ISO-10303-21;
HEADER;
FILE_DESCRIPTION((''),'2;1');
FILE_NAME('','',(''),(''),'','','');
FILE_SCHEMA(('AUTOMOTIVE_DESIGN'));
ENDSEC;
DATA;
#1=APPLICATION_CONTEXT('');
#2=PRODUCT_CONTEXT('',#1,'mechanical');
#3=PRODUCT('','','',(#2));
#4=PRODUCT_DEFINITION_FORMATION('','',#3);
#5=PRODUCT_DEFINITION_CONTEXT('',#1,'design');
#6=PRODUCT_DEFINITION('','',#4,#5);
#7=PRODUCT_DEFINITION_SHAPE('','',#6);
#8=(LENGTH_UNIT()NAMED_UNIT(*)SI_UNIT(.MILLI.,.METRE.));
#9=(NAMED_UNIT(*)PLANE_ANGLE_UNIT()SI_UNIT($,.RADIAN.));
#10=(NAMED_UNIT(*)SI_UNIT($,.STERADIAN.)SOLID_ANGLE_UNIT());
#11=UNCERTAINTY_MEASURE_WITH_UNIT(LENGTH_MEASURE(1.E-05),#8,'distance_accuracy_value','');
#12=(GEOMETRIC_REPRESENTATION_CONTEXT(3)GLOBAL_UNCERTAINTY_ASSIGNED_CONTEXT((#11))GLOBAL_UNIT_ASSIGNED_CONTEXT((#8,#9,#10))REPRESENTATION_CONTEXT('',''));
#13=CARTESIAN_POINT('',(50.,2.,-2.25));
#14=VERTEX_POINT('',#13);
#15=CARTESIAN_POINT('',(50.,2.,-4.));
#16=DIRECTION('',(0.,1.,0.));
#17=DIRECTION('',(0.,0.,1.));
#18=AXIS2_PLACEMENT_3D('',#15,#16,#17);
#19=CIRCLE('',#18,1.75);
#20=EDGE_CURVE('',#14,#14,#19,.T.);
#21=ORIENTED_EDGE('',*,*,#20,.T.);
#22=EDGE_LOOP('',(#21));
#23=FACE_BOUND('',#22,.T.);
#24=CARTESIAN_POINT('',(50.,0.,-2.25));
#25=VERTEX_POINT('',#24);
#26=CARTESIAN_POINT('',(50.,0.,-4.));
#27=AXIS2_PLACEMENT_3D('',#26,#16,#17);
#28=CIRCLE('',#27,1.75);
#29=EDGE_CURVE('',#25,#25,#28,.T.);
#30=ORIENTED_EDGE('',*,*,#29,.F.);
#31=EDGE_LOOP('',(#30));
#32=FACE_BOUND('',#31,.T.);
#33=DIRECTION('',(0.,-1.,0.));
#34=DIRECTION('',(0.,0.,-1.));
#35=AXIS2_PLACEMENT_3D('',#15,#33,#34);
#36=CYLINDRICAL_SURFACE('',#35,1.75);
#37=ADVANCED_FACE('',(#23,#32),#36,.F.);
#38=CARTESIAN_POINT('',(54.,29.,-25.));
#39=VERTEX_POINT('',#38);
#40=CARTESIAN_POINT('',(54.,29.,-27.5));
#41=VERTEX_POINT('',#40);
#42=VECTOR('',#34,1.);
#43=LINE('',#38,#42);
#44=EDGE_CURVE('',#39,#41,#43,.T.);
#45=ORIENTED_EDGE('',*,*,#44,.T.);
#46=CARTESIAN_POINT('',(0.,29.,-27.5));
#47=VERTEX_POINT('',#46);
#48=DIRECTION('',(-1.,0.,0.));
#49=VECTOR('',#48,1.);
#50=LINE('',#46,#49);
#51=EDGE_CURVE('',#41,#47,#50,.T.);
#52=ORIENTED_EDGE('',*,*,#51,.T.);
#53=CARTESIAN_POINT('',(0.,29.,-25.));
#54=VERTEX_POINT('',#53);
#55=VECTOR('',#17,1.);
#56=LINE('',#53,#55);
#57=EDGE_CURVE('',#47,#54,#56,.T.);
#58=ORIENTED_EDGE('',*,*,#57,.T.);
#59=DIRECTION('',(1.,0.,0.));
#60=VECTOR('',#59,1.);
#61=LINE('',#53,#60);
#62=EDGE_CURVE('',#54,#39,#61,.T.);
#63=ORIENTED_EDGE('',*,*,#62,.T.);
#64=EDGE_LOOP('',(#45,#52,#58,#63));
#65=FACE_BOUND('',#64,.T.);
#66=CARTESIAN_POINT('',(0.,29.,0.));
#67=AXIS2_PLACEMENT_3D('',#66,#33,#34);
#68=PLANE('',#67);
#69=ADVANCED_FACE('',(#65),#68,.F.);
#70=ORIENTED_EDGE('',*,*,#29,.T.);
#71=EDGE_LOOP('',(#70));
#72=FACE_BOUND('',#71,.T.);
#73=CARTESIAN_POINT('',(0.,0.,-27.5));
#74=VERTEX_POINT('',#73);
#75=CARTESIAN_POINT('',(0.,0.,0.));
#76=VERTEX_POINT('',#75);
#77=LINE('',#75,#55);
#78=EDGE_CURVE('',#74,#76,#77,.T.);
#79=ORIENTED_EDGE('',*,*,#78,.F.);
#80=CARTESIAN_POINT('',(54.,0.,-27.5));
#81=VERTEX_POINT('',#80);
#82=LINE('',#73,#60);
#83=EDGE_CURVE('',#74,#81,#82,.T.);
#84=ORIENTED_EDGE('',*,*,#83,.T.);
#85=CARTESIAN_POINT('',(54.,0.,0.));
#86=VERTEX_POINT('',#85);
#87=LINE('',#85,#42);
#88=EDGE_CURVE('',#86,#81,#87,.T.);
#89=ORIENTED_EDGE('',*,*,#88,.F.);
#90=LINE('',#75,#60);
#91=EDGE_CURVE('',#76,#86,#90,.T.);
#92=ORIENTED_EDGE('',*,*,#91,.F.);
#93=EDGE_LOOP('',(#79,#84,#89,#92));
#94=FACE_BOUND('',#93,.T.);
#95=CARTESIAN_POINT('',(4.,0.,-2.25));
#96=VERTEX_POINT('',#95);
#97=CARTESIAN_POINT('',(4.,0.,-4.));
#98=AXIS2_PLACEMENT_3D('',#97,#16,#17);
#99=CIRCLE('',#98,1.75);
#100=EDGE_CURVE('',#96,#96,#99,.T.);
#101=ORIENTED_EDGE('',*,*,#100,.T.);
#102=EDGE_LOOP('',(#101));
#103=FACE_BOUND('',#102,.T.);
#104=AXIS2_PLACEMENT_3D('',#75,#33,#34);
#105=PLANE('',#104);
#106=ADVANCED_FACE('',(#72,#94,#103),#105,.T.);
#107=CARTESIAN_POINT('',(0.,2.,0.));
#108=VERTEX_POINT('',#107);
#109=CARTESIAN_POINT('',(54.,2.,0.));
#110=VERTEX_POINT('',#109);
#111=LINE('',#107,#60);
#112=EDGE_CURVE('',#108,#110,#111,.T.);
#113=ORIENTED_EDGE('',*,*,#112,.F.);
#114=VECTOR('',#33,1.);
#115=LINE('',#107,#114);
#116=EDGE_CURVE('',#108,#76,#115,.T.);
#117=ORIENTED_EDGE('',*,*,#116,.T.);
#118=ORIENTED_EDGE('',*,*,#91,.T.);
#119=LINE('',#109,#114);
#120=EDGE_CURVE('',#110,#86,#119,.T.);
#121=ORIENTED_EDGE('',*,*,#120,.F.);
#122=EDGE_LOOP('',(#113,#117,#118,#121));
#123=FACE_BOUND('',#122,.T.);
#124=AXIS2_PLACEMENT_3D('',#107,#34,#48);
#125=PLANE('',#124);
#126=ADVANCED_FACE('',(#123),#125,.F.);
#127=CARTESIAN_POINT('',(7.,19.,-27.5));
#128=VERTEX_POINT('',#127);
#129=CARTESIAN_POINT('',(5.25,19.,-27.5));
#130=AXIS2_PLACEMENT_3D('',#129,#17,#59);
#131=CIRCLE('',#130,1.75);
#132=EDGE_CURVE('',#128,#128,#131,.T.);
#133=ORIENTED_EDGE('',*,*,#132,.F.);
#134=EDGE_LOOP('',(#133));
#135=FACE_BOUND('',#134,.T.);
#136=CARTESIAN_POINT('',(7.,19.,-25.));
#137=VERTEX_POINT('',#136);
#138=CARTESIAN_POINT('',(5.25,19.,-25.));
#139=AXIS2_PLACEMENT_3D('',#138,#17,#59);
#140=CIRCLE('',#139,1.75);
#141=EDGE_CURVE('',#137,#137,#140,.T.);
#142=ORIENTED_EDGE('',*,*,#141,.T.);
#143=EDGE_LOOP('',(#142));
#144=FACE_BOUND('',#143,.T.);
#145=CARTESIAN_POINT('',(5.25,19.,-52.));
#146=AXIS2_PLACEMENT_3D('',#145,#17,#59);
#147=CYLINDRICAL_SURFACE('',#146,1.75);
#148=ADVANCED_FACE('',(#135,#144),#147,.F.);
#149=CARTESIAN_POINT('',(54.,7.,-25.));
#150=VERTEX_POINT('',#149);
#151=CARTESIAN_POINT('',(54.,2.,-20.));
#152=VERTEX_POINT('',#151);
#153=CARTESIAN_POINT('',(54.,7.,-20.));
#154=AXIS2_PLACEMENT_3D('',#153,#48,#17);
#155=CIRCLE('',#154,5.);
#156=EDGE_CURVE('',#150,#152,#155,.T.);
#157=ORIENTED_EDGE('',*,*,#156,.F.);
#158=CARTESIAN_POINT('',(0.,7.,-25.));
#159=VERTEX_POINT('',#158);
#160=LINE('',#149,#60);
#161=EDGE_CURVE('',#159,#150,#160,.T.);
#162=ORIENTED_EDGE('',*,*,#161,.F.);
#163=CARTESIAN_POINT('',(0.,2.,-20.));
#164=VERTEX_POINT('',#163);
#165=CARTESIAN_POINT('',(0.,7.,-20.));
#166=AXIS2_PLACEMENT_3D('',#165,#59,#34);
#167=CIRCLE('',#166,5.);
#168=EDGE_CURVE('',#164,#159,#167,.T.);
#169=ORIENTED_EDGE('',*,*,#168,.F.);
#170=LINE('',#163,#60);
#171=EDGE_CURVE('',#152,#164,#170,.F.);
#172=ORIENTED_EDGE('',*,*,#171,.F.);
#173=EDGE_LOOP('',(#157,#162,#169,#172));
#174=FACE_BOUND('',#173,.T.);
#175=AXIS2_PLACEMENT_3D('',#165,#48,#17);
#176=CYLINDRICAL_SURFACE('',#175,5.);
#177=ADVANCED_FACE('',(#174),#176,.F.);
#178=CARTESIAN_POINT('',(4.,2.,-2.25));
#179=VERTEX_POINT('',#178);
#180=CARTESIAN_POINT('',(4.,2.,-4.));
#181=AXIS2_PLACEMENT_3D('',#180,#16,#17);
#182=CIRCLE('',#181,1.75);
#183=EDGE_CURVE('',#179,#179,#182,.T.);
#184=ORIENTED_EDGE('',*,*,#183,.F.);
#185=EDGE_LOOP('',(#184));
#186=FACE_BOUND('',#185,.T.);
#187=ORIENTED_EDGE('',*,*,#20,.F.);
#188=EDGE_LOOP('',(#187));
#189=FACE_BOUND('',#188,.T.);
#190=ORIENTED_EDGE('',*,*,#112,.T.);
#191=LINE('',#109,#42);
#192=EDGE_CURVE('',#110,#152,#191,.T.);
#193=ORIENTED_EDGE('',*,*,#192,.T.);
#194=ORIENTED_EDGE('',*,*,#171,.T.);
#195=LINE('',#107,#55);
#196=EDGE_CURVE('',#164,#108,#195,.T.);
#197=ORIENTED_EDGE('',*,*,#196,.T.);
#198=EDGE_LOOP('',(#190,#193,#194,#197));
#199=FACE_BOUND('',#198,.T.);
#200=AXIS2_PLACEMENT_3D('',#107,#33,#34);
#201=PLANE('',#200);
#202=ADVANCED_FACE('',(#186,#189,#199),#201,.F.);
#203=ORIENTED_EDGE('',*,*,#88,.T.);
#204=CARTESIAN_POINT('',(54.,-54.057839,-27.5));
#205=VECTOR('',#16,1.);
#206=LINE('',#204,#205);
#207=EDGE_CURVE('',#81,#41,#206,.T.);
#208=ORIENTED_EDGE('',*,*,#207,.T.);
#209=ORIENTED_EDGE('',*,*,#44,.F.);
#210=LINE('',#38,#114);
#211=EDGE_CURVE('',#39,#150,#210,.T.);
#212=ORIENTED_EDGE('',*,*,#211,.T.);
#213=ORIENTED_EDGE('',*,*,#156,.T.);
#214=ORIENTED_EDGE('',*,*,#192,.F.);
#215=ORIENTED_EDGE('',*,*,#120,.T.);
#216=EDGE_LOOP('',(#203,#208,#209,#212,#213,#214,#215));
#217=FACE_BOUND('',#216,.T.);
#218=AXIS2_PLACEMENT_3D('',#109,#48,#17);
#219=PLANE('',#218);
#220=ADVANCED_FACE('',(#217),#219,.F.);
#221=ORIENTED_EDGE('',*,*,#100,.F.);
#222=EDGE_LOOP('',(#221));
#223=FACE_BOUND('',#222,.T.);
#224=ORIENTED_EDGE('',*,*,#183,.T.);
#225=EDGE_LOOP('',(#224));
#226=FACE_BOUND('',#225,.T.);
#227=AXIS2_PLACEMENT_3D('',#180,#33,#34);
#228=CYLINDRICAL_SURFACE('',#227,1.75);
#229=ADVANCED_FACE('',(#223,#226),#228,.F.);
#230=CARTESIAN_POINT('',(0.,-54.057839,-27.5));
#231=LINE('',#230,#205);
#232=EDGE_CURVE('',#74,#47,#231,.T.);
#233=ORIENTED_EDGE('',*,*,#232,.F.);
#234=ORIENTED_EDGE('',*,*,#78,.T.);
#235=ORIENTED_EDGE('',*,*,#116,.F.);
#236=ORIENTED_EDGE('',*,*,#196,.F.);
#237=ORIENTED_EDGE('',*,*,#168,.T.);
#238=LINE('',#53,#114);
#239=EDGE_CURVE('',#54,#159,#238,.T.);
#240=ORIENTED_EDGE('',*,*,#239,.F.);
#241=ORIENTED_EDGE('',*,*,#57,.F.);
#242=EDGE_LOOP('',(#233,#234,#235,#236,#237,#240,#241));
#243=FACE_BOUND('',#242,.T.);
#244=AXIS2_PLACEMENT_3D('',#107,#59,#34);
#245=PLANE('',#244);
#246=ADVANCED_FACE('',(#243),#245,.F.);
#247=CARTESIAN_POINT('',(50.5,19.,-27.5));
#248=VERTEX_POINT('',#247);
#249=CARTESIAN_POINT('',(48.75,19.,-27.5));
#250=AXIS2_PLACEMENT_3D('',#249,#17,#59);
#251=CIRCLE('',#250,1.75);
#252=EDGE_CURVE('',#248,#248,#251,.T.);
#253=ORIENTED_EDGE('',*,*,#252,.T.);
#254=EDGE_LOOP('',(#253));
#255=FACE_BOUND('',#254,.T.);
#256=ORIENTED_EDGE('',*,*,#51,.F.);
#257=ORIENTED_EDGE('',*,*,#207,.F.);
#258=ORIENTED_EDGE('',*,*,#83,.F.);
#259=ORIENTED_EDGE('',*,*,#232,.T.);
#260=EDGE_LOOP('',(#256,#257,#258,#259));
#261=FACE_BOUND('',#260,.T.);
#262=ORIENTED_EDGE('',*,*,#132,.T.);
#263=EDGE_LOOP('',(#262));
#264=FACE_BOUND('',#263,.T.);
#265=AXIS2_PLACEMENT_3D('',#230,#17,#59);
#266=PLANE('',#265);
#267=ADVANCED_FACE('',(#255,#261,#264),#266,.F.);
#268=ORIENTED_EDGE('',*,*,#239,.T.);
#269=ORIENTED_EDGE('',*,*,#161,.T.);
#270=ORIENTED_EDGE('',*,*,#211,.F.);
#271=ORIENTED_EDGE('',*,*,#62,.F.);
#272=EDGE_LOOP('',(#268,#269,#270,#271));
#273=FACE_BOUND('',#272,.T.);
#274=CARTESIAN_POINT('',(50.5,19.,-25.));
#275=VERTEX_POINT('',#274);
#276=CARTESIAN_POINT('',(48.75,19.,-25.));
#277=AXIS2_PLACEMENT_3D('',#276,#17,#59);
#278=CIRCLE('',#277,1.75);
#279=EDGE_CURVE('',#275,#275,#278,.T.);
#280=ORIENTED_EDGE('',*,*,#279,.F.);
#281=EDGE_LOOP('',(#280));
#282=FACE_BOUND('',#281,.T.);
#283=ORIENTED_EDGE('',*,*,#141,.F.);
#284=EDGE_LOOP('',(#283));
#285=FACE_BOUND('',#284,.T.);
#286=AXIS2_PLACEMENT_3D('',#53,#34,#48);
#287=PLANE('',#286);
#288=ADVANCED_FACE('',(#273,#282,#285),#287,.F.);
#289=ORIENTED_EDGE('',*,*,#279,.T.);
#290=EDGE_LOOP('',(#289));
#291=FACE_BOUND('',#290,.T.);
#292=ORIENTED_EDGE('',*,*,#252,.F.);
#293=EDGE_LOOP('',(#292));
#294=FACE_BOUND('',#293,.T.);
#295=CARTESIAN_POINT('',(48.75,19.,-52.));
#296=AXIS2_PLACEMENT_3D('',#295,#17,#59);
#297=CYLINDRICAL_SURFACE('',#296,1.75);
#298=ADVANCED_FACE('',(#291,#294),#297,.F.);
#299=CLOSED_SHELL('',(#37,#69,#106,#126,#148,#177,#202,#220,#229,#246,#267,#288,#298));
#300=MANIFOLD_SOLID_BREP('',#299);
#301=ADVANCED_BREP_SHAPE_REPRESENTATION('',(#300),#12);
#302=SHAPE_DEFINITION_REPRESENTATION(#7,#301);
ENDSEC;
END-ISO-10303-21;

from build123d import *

# Parameters (mm, degrees)
SKETCH1_W           = 54
SKETCH1_H           = 25
SKETCH1_R           = 1.75
BOSS_EXTRUDE1_DEPTH = 2
SKETCH2_W           = 54
SKETCH2_H           = 2.5
BOSS_EXTRUDE2_DEPTH = 27
SKETCH3_W           = 54
SKETCH3_H           = 2.5
BOSS_EXTRUDE3_DEPTH = 2
SKETCH4_R           = 1.75
CUT_EXTRUDE1_DEPTH  = 27
FILLET1_R           = 5


with BuildPart() as part:
    # Sketch1 → Boss-Extrude1 (new body)
    with BuildSketch(Plane(origin=(0, 0, 0), x_dir=(1, 0, 0), z_dir=(0, 1, 0))):
        with Locations((27, 12.5)):
            Rectangle(SKETCH1_W, SKETCH1_H)
        with Locations(Location((4, 4, 0), (0, 0, 270))):
            Circle(SKETCH1_R, mode=Mode.SUBTRACT)
        with Locations(Location((50, 4, 0), (0, 0, 270))):
            Circle(SKETCH1_R, mode=Mode.SUBTRACT)
    extrude(amount=BOSS_EXTRUDE1_DEPTH)



with BuildPart() as body_2:
    # Sketch2 → Boss-Extrude2 (new body)
    with BuildSketch(Plane(origin=(0, 2, 0), x_dir=(1, 0, 0), z_dir=(0, 1, 0))):
        with Locations((27, 26.25)):
            Rectangle(SKETCH2_W, SKETCH2_H)
    extrude(amount=BOSS_EXTRUDE2_DEPTH)


with BuildPart() as part_1:
    add(part.part)

    add(body_2.part)  # Boss-Extrude3 merges body 2
    # Sketch3 → Boss-Extrude3 (add)
    with BuildSketch(Plane.XZ.offset(-2)):
        with Locations((27, -26.25)):
            Rectangle(SKETCH3_W, SKETCH3_H)
    extrude(amount=BOSS_EXTRUDE3_DEPTH)

    # Sketch4 → Cut-Extrude1 (cut)
    with BuildSketch(Plane.XY.offset(-25)):
        with Locations((5.25, 19)):
            Circle(SKETCH4_R)
        with Locations((48.75, 19)):
            Circle(SKETCH4_R)
    extrude(amount=-CUT_EXTRUDE1_DEPTH, mode=Mode.SUBTRACT)

    # Fillet1
    fillet1_edges = [part_1.edges().sort_by_distance(p)[0] for p in [
        (27, 2, -25),
    ]]
    fillet(fillet1_edges, radius=FILLET1_R)


solid = part_1.part
